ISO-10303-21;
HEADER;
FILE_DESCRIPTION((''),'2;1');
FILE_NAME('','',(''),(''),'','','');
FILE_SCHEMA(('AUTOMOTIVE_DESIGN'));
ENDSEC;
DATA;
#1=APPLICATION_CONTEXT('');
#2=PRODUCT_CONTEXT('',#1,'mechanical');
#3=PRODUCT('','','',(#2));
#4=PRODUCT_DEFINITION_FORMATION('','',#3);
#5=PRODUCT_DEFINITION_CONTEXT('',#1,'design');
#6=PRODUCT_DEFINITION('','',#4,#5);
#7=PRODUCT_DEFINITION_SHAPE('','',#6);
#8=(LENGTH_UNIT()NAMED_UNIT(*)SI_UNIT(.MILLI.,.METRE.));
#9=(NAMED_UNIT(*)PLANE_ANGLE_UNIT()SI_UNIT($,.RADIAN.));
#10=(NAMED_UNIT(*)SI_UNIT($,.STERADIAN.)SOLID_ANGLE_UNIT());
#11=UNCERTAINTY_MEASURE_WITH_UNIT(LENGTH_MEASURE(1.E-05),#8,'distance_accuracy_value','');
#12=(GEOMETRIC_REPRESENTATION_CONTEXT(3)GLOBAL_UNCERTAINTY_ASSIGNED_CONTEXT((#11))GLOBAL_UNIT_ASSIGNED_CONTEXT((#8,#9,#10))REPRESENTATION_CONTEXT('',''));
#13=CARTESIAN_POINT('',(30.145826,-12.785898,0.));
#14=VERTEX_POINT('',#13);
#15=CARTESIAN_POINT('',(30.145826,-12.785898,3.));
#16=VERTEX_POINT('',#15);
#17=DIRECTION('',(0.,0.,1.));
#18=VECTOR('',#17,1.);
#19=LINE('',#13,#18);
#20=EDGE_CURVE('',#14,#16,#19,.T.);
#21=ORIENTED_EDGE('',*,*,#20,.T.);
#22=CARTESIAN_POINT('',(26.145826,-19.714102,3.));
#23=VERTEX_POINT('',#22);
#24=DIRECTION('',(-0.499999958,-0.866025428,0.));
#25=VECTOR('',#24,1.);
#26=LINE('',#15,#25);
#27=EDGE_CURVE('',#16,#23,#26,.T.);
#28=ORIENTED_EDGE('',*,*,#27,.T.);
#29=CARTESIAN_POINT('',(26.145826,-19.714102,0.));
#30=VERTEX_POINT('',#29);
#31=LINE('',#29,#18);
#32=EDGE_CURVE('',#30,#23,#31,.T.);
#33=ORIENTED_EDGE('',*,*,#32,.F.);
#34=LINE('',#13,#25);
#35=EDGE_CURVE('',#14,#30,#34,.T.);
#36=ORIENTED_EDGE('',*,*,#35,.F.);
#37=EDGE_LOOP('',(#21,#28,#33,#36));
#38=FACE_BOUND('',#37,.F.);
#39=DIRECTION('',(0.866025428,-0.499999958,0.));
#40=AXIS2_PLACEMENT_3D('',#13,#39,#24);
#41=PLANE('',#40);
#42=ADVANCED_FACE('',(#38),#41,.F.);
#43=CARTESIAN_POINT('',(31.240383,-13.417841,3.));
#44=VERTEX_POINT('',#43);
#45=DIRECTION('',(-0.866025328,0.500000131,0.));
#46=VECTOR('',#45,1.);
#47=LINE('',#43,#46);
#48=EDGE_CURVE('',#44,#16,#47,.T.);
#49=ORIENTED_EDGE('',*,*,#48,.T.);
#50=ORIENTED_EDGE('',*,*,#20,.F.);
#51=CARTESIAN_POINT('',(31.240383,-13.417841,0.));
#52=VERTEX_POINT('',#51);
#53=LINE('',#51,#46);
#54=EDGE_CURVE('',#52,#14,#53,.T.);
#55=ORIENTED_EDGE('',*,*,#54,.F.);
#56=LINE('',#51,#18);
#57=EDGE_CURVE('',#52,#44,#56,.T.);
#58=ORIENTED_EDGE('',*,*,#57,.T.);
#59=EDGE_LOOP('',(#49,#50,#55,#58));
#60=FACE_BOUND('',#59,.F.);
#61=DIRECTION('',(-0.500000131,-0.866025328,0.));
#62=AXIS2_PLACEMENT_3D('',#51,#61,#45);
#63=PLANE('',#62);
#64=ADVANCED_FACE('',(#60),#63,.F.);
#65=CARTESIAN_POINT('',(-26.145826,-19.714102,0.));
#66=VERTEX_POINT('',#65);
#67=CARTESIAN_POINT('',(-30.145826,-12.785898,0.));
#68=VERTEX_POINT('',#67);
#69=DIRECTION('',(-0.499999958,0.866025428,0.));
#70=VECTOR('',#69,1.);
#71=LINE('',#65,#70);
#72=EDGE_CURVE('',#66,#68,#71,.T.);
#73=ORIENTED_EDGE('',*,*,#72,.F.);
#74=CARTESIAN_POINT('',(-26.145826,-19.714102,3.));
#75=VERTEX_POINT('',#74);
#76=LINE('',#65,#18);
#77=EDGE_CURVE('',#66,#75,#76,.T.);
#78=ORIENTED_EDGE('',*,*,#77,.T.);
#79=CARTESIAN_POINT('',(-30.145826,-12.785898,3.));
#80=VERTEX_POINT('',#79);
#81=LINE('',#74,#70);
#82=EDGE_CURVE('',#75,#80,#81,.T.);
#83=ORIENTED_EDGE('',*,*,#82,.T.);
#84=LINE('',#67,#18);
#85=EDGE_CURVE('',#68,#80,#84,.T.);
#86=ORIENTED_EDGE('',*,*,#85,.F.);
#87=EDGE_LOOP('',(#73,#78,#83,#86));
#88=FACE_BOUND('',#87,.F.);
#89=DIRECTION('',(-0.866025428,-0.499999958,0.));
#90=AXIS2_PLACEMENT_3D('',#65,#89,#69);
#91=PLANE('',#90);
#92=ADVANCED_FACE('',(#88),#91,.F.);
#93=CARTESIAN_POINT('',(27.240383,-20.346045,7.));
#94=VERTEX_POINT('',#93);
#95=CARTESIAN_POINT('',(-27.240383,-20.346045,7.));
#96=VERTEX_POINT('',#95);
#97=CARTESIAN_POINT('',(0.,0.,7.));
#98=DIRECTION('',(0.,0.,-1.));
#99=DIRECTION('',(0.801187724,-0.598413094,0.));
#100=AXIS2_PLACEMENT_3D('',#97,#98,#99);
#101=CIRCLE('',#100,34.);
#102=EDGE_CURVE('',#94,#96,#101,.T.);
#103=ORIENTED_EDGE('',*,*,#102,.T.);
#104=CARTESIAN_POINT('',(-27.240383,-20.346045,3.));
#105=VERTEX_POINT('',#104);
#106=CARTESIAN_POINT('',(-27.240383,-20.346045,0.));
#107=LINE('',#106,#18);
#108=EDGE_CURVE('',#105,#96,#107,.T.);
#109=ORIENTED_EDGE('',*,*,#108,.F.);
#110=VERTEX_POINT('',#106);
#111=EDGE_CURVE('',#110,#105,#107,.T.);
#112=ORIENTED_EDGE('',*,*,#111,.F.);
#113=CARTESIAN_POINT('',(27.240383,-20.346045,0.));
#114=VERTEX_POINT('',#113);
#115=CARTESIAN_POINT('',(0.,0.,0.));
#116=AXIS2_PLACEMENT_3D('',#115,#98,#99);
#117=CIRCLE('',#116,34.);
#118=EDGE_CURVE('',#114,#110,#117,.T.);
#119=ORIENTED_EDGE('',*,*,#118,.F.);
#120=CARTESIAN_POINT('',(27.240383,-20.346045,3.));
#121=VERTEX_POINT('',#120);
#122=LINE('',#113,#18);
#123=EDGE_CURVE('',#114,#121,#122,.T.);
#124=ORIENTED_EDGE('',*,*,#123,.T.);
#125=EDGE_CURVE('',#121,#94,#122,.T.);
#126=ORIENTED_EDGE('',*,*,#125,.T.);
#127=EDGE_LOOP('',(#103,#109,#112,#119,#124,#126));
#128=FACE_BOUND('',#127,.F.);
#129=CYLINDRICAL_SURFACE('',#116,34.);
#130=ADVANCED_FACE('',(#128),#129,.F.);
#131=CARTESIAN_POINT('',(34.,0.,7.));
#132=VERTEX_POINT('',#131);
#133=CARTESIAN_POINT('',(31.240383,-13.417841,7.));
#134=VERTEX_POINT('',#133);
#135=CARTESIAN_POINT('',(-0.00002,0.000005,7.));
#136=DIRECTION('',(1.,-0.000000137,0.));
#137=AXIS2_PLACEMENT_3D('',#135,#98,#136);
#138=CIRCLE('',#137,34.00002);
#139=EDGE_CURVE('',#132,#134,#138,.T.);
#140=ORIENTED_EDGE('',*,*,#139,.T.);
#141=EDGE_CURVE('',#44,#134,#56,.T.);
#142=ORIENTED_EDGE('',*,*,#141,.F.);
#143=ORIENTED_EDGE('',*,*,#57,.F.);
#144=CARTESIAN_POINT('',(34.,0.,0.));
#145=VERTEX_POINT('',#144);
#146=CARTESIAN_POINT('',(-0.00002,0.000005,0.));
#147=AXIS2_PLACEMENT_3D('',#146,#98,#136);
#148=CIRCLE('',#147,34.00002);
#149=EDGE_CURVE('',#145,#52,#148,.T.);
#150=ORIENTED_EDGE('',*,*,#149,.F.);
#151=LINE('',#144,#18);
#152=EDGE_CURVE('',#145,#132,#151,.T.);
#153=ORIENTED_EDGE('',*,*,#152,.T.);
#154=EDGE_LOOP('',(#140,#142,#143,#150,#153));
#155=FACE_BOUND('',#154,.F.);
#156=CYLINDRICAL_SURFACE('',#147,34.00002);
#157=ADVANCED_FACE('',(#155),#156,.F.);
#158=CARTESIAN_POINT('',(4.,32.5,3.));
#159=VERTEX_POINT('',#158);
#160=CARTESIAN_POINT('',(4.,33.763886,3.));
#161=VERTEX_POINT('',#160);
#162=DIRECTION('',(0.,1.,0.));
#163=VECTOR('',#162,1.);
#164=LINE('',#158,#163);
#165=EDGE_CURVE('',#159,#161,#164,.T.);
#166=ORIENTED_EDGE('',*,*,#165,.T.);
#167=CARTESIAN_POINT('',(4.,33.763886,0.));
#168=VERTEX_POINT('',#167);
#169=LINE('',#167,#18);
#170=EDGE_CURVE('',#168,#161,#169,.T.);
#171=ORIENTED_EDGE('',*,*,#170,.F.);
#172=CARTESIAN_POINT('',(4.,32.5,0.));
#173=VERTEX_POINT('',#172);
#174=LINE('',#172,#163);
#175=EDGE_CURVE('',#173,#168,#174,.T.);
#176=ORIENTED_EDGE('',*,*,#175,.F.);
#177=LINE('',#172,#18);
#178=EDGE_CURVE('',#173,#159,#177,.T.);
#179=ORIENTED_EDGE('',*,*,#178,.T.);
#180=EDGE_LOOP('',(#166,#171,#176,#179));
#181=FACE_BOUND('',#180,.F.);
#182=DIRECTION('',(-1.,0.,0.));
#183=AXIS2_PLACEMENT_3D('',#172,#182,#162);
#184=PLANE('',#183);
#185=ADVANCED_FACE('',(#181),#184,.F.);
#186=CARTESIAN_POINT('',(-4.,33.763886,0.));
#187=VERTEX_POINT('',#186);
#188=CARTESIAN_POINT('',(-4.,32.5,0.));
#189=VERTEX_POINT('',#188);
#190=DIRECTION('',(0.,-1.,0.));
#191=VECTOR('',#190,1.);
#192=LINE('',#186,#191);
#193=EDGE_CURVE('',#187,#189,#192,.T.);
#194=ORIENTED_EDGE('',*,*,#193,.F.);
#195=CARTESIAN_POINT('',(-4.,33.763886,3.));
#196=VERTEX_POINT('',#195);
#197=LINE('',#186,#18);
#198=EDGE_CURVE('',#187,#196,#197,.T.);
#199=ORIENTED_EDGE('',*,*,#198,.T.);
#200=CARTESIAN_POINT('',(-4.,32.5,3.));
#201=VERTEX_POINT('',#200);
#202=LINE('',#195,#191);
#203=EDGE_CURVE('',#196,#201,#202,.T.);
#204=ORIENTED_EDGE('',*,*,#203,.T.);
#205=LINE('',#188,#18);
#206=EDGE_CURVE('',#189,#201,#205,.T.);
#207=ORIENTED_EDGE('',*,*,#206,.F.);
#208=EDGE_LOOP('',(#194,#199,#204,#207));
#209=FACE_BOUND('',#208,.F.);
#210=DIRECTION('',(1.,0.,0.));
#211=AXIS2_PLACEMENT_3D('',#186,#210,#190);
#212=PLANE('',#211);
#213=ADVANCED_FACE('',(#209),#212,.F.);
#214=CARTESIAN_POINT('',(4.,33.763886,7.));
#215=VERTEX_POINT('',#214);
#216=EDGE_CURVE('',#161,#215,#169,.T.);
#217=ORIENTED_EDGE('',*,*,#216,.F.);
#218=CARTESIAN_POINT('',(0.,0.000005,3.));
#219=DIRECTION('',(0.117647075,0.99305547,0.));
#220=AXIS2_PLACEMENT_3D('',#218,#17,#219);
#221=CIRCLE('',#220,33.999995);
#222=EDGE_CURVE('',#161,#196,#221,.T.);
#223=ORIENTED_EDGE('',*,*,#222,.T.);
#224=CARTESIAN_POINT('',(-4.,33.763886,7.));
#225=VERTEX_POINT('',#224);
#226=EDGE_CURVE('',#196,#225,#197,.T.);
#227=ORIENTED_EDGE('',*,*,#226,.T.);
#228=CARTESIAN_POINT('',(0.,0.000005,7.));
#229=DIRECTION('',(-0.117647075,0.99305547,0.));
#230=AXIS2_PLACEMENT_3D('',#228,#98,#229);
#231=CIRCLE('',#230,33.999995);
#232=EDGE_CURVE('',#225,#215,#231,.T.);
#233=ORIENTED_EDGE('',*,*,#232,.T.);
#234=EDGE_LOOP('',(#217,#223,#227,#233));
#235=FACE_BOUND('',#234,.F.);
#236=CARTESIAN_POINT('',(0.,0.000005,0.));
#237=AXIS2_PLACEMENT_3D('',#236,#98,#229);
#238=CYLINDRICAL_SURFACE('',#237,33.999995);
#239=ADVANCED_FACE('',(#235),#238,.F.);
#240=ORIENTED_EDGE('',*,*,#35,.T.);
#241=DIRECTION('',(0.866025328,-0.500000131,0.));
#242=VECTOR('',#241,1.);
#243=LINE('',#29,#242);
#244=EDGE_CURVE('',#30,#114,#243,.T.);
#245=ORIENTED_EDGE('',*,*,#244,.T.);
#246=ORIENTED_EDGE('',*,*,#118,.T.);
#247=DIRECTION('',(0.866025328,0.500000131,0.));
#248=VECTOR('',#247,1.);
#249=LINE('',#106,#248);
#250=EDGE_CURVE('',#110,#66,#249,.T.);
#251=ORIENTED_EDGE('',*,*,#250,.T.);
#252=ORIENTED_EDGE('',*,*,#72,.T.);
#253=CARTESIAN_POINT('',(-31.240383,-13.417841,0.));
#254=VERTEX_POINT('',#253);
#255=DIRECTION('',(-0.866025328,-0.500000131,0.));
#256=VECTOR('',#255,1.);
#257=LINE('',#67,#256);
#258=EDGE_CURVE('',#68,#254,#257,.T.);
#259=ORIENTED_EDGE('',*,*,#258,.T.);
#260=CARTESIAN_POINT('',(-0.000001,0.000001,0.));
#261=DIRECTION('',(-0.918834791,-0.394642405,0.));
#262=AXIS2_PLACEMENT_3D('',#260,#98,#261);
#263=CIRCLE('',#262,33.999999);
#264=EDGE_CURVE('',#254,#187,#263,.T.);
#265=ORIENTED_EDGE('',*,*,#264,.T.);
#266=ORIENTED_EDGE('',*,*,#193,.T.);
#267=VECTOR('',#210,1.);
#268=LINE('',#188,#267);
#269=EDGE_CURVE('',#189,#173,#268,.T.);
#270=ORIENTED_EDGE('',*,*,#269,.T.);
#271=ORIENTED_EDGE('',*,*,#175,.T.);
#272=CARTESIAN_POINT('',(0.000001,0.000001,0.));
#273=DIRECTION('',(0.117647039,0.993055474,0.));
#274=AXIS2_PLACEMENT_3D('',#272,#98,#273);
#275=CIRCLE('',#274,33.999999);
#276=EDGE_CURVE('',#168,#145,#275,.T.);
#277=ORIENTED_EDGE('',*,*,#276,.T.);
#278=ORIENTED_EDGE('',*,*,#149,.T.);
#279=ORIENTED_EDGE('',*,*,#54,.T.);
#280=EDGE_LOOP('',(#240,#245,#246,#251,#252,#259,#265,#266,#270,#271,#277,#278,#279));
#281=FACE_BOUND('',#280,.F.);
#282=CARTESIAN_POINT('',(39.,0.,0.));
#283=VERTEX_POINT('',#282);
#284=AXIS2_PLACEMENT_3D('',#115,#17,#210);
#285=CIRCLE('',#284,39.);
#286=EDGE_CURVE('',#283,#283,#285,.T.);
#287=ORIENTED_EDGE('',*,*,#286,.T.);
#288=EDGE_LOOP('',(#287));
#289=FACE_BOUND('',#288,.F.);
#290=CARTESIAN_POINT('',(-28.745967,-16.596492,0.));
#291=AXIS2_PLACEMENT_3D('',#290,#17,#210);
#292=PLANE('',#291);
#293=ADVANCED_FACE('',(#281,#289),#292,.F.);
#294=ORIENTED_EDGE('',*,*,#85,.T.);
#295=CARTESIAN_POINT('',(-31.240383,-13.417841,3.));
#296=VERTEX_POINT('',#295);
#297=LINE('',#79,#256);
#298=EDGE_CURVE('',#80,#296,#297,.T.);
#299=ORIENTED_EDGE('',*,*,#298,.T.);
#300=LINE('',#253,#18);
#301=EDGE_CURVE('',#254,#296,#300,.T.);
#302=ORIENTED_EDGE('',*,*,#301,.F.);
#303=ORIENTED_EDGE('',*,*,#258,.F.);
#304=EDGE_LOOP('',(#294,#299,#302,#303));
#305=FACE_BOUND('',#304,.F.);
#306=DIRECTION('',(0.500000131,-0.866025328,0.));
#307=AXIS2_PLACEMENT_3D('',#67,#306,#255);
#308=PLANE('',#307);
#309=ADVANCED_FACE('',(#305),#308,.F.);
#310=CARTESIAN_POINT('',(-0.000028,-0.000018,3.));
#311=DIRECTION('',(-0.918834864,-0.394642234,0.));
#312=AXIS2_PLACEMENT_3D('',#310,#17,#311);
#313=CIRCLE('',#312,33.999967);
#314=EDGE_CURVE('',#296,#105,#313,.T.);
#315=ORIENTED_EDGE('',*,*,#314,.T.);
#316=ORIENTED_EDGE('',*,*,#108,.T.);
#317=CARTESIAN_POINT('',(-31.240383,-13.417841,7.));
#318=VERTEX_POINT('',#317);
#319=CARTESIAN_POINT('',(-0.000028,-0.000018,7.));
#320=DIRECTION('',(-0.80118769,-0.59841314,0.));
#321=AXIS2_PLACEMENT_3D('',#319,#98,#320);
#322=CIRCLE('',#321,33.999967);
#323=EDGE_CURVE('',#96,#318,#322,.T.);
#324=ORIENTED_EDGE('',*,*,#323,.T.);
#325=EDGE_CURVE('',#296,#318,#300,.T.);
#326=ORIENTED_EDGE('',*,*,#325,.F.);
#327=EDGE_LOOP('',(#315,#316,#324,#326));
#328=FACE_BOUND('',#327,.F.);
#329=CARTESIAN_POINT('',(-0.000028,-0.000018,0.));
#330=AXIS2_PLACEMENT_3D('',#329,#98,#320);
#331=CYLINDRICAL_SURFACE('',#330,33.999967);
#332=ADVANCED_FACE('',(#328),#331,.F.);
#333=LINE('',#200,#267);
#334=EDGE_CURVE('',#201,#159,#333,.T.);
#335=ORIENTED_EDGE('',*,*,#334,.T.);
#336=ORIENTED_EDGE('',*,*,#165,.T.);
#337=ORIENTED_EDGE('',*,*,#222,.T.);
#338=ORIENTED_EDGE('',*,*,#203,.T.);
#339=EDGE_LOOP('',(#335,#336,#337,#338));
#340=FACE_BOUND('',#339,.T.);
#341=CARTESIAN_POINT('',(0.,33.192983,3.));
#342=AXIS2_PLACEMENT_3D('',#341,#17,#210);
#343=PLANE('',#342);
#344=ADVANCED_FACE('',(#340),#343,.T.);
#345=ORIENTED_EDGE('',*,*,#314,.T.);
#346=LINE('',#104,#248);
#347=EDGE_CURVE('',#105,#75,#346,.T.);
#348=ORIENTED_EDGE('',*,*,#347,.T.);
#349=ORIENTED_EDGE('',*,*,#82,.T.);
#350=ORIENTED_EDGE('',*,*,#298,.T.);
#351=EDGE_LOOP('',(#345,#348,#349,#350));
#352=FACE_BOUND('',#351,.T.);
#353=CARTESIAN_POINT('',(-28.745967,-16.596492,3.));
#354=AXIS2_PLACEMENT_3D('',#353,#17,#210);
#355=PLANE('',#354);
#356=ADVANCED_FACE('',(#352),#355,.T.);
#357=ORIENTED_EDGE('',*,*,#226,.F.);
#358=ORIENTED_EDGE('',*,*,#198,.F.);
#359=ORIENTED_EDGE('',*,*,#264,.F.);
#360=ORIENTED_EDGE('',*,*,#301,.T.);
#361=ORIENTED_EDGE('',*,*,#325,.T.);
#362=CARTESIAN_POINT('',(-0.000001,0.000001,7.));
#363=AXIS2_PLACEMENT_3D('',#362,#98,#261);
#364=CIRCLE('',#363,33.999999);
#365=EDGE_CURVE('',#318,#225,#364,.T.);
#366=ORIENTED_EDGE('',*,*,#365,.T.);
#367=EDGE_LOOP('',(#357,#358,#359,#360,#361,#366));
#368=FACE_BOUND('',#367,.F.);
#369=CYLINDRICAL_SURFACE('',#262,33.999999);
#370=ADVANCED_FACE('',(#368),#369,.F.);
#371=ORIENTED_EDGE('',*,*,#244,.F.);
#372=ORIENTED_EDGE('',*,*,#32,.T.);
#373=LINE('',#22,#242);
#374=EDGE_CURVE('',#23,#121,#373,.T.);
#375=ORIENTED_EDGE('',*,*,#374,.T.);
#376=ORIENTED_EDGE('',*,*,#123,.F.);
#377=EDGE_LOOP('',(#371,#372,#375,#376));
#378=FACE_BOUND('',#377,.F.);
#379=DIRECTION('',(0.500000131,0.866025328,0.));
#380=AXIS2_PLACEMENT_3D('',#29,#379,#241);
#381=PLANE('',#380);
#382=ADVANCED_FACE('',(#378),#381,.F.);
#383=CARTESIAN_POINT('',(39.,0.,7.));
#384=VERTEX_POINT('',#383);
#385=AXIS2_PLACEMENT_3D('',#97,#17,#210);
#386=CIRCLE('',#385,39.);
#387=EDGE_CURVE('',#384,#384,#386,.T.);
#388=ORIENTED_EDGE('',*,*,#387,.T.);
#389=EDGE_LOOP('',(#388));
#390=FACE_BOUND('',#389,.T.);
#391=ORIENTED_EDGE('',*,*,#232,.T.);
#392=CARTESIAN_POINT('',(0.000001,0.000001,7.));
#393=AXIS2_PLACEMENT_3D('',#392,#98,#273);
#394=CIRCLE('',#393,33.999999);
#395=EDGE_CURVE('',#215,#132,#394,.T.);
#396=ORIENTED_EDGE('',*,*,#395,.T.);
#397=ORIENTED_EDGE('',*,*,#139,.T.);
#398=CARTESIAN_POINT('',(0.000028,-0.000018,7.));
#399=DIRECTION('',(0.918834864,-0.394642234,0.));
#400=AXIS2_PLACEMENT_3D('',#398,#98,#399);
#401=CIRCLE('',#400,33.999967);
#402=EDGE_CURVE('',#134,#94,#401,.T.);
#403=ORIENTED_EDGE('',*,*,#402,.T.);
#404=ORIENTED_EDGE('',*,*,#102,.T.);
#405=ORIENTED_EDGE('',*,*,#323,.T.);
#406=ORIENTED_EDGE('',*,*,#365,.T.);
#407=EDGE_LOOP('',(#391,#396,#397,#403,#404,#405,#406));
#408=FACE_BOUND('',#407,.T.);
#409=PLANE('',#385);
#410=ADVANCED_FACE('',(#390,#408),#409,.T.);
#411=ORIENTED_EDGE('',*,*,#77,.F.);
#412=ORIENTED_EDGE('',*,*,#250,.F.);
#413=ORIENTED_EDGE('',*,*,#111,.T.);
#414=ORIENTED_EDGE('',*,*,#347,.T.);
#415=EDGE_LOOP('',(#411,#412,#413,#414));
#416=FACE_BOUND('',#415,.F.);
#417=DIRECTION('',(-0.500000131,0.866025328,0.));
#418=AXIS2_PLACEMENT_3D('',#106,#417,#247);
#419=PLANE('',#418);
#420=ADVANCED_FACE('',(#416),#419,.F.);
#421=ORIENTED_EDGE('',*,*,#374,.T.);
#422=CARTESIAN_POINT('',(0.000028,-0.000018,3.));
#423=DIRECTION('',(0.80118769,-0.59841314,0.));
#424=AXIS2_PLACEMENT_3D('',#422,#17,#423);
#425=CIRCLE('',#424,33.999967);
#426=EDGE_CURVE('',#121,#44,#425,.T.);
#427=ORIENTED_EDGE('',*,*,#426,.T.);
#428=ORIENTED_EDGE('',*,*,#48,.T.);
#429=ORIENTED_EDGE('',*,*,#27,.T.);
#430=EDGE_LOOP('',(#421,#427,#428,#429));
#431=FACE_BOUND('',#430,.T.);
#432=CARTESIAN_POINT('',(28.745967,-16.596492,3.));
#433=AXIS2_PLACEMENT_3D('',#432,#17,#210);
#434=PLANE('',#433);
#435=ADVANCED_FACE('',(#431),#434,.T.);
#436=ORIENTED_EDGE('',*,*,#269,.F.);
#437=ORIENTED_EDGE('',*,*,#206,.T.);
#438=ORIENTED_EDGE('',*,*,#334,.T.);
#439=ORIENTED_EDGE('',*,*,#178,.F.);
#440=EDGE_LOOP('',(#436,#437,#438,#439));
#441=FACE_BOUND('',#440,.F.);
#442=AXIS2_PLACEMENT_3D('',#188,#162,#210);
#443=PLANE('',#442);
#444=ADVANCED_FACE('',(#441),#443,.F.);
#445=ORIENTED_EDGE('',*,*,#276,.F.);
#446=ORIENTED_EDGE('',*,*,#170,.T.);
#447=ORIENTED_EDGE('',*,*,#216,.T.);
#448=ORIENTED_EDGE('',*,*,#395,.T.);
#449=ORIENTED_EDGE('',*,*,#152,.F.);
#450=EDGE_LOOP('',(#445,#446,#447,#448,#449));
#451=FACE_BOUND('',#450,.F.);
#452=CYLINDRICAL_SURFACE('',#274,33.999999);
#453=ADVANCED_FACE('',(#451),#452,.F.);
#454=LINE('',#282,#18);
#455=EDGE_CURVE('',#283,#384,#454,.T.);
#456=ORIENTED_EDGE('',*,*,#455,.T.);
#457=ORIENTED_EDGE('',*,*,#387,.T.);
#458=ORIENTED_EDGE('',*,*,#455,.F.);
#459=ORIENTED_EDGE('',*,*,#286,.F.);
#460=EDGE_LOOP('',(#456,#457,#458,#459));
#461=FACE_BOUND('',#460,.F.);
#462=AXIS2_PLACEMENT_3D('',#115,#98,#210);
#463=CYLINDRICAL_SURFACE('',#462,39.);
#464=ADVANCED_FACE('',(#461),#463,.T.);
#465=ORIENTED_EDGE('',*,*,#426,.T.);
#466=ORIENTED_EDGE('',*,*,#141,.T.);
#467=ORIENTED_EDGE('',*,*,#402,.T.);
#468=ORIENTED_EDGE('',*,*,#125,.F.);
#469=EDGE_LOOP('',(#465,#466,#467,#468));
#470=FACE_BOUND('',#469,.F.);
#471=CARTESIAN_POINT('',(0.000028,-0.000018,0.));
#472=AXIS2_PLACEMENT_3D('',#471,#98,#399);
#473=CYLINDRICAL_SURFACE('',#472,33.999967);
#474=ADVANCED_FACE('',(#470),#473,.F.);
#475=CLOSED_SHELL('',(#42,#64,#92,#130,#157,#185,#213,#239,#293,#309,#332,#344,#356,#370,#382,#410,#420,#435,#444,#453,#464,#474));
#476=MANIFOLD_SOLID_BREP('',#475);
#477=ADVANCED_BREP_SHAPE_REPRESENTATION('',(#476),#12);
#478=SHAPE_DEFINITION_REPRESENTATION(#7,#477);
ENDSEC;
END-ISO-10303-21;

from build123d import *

# Parameters (mm, degrees)
F0_R     = 39
F1_DEPTH = 7
F2_DEPTH = 3
F3_DEPTH = 3
F4_DEPTH = 3


with BuildPart() as f1:
    # F0 (on Top) → F1 (new body)
    with BuildSketch(Plane.XY):
        Circle(F0_R)
        with BuildLine():
            ThreePointArc((4, 33.763886), (25.41653, 22.58318), (34, 0))
            ThreePointArc((34, 0), (33.30295, -6.849342), (31.240383, -13.417841))
            ThreePointArc((31.240383, -13.417841), (29.444864, -17), (27.240383, -20.346045))
            ThreePointArc((27.240383, -20.346045), (0, -34), (-27.240383, -20.346045))
            ThreePointArc((-27.240383, -20.346045), (-29.444864, -17), (-31.240383, -13.417841))
            ThreePointArc((-31.240383, -13.417841), (-29.444864, 17), (-4, 33.763886))
            ThreePointArc((-4, 33.763886), (0, 34), (4, 33.763886))
        make_face(mode=Mode.SUBTRACT)
    extrude(amount=F1_DEPTH)

    # F0 (on Top) → F2 (join)
    with BuildSketch(Plane.XY):
        with BuildLine():
            Line((4, 32.5), (4, 33.763886))
            ThreePointArc((4, 33.763886), (0, 34), (-4, 33.763886))
            Line((-4, 33.763886), (-4, 32.5))
            Line((-4, 32.5), (4, 32.5))
        make_face()
    extrude(amount=F2_DEPTH)

    # F0 (on Top) → F3 (join)
    with BuildSketch(Plane.XY):
        with BuildLine():
            ThreePointArc((27.240383, -20.346045), (29.444864, -17), (31.240383, -13.417841))
            Line((31.240383, -13.417841), (30.145826, -12.785898))
            Line((30.145826, -12.785898), (26.145826, -19.714102))
            Line((26.145826, -19.714102), (27.240383, -20.346045))
        make_face()
    extrude(amount=F3_DEPTH)

    # F0 (on Top) → F4 (join)
    with BuildSketch(Plane.XY):
        with BuildLine():
            Line((-30.145826, -12.785898), (-31.240383, -13.417841))
            ThreePointArc((-31.240383, -13.417841), (-29.444864, -17), (-27.240383, -20.346045))
            Line((-27.240383, -20.346045), (-26.145826, -19.714102))
            Line((-26.145826, -19.714102), (-30.145826, -12.785898))
        make_face()
    extrude(amount=F4_DEPTH)


solid = f1.part
